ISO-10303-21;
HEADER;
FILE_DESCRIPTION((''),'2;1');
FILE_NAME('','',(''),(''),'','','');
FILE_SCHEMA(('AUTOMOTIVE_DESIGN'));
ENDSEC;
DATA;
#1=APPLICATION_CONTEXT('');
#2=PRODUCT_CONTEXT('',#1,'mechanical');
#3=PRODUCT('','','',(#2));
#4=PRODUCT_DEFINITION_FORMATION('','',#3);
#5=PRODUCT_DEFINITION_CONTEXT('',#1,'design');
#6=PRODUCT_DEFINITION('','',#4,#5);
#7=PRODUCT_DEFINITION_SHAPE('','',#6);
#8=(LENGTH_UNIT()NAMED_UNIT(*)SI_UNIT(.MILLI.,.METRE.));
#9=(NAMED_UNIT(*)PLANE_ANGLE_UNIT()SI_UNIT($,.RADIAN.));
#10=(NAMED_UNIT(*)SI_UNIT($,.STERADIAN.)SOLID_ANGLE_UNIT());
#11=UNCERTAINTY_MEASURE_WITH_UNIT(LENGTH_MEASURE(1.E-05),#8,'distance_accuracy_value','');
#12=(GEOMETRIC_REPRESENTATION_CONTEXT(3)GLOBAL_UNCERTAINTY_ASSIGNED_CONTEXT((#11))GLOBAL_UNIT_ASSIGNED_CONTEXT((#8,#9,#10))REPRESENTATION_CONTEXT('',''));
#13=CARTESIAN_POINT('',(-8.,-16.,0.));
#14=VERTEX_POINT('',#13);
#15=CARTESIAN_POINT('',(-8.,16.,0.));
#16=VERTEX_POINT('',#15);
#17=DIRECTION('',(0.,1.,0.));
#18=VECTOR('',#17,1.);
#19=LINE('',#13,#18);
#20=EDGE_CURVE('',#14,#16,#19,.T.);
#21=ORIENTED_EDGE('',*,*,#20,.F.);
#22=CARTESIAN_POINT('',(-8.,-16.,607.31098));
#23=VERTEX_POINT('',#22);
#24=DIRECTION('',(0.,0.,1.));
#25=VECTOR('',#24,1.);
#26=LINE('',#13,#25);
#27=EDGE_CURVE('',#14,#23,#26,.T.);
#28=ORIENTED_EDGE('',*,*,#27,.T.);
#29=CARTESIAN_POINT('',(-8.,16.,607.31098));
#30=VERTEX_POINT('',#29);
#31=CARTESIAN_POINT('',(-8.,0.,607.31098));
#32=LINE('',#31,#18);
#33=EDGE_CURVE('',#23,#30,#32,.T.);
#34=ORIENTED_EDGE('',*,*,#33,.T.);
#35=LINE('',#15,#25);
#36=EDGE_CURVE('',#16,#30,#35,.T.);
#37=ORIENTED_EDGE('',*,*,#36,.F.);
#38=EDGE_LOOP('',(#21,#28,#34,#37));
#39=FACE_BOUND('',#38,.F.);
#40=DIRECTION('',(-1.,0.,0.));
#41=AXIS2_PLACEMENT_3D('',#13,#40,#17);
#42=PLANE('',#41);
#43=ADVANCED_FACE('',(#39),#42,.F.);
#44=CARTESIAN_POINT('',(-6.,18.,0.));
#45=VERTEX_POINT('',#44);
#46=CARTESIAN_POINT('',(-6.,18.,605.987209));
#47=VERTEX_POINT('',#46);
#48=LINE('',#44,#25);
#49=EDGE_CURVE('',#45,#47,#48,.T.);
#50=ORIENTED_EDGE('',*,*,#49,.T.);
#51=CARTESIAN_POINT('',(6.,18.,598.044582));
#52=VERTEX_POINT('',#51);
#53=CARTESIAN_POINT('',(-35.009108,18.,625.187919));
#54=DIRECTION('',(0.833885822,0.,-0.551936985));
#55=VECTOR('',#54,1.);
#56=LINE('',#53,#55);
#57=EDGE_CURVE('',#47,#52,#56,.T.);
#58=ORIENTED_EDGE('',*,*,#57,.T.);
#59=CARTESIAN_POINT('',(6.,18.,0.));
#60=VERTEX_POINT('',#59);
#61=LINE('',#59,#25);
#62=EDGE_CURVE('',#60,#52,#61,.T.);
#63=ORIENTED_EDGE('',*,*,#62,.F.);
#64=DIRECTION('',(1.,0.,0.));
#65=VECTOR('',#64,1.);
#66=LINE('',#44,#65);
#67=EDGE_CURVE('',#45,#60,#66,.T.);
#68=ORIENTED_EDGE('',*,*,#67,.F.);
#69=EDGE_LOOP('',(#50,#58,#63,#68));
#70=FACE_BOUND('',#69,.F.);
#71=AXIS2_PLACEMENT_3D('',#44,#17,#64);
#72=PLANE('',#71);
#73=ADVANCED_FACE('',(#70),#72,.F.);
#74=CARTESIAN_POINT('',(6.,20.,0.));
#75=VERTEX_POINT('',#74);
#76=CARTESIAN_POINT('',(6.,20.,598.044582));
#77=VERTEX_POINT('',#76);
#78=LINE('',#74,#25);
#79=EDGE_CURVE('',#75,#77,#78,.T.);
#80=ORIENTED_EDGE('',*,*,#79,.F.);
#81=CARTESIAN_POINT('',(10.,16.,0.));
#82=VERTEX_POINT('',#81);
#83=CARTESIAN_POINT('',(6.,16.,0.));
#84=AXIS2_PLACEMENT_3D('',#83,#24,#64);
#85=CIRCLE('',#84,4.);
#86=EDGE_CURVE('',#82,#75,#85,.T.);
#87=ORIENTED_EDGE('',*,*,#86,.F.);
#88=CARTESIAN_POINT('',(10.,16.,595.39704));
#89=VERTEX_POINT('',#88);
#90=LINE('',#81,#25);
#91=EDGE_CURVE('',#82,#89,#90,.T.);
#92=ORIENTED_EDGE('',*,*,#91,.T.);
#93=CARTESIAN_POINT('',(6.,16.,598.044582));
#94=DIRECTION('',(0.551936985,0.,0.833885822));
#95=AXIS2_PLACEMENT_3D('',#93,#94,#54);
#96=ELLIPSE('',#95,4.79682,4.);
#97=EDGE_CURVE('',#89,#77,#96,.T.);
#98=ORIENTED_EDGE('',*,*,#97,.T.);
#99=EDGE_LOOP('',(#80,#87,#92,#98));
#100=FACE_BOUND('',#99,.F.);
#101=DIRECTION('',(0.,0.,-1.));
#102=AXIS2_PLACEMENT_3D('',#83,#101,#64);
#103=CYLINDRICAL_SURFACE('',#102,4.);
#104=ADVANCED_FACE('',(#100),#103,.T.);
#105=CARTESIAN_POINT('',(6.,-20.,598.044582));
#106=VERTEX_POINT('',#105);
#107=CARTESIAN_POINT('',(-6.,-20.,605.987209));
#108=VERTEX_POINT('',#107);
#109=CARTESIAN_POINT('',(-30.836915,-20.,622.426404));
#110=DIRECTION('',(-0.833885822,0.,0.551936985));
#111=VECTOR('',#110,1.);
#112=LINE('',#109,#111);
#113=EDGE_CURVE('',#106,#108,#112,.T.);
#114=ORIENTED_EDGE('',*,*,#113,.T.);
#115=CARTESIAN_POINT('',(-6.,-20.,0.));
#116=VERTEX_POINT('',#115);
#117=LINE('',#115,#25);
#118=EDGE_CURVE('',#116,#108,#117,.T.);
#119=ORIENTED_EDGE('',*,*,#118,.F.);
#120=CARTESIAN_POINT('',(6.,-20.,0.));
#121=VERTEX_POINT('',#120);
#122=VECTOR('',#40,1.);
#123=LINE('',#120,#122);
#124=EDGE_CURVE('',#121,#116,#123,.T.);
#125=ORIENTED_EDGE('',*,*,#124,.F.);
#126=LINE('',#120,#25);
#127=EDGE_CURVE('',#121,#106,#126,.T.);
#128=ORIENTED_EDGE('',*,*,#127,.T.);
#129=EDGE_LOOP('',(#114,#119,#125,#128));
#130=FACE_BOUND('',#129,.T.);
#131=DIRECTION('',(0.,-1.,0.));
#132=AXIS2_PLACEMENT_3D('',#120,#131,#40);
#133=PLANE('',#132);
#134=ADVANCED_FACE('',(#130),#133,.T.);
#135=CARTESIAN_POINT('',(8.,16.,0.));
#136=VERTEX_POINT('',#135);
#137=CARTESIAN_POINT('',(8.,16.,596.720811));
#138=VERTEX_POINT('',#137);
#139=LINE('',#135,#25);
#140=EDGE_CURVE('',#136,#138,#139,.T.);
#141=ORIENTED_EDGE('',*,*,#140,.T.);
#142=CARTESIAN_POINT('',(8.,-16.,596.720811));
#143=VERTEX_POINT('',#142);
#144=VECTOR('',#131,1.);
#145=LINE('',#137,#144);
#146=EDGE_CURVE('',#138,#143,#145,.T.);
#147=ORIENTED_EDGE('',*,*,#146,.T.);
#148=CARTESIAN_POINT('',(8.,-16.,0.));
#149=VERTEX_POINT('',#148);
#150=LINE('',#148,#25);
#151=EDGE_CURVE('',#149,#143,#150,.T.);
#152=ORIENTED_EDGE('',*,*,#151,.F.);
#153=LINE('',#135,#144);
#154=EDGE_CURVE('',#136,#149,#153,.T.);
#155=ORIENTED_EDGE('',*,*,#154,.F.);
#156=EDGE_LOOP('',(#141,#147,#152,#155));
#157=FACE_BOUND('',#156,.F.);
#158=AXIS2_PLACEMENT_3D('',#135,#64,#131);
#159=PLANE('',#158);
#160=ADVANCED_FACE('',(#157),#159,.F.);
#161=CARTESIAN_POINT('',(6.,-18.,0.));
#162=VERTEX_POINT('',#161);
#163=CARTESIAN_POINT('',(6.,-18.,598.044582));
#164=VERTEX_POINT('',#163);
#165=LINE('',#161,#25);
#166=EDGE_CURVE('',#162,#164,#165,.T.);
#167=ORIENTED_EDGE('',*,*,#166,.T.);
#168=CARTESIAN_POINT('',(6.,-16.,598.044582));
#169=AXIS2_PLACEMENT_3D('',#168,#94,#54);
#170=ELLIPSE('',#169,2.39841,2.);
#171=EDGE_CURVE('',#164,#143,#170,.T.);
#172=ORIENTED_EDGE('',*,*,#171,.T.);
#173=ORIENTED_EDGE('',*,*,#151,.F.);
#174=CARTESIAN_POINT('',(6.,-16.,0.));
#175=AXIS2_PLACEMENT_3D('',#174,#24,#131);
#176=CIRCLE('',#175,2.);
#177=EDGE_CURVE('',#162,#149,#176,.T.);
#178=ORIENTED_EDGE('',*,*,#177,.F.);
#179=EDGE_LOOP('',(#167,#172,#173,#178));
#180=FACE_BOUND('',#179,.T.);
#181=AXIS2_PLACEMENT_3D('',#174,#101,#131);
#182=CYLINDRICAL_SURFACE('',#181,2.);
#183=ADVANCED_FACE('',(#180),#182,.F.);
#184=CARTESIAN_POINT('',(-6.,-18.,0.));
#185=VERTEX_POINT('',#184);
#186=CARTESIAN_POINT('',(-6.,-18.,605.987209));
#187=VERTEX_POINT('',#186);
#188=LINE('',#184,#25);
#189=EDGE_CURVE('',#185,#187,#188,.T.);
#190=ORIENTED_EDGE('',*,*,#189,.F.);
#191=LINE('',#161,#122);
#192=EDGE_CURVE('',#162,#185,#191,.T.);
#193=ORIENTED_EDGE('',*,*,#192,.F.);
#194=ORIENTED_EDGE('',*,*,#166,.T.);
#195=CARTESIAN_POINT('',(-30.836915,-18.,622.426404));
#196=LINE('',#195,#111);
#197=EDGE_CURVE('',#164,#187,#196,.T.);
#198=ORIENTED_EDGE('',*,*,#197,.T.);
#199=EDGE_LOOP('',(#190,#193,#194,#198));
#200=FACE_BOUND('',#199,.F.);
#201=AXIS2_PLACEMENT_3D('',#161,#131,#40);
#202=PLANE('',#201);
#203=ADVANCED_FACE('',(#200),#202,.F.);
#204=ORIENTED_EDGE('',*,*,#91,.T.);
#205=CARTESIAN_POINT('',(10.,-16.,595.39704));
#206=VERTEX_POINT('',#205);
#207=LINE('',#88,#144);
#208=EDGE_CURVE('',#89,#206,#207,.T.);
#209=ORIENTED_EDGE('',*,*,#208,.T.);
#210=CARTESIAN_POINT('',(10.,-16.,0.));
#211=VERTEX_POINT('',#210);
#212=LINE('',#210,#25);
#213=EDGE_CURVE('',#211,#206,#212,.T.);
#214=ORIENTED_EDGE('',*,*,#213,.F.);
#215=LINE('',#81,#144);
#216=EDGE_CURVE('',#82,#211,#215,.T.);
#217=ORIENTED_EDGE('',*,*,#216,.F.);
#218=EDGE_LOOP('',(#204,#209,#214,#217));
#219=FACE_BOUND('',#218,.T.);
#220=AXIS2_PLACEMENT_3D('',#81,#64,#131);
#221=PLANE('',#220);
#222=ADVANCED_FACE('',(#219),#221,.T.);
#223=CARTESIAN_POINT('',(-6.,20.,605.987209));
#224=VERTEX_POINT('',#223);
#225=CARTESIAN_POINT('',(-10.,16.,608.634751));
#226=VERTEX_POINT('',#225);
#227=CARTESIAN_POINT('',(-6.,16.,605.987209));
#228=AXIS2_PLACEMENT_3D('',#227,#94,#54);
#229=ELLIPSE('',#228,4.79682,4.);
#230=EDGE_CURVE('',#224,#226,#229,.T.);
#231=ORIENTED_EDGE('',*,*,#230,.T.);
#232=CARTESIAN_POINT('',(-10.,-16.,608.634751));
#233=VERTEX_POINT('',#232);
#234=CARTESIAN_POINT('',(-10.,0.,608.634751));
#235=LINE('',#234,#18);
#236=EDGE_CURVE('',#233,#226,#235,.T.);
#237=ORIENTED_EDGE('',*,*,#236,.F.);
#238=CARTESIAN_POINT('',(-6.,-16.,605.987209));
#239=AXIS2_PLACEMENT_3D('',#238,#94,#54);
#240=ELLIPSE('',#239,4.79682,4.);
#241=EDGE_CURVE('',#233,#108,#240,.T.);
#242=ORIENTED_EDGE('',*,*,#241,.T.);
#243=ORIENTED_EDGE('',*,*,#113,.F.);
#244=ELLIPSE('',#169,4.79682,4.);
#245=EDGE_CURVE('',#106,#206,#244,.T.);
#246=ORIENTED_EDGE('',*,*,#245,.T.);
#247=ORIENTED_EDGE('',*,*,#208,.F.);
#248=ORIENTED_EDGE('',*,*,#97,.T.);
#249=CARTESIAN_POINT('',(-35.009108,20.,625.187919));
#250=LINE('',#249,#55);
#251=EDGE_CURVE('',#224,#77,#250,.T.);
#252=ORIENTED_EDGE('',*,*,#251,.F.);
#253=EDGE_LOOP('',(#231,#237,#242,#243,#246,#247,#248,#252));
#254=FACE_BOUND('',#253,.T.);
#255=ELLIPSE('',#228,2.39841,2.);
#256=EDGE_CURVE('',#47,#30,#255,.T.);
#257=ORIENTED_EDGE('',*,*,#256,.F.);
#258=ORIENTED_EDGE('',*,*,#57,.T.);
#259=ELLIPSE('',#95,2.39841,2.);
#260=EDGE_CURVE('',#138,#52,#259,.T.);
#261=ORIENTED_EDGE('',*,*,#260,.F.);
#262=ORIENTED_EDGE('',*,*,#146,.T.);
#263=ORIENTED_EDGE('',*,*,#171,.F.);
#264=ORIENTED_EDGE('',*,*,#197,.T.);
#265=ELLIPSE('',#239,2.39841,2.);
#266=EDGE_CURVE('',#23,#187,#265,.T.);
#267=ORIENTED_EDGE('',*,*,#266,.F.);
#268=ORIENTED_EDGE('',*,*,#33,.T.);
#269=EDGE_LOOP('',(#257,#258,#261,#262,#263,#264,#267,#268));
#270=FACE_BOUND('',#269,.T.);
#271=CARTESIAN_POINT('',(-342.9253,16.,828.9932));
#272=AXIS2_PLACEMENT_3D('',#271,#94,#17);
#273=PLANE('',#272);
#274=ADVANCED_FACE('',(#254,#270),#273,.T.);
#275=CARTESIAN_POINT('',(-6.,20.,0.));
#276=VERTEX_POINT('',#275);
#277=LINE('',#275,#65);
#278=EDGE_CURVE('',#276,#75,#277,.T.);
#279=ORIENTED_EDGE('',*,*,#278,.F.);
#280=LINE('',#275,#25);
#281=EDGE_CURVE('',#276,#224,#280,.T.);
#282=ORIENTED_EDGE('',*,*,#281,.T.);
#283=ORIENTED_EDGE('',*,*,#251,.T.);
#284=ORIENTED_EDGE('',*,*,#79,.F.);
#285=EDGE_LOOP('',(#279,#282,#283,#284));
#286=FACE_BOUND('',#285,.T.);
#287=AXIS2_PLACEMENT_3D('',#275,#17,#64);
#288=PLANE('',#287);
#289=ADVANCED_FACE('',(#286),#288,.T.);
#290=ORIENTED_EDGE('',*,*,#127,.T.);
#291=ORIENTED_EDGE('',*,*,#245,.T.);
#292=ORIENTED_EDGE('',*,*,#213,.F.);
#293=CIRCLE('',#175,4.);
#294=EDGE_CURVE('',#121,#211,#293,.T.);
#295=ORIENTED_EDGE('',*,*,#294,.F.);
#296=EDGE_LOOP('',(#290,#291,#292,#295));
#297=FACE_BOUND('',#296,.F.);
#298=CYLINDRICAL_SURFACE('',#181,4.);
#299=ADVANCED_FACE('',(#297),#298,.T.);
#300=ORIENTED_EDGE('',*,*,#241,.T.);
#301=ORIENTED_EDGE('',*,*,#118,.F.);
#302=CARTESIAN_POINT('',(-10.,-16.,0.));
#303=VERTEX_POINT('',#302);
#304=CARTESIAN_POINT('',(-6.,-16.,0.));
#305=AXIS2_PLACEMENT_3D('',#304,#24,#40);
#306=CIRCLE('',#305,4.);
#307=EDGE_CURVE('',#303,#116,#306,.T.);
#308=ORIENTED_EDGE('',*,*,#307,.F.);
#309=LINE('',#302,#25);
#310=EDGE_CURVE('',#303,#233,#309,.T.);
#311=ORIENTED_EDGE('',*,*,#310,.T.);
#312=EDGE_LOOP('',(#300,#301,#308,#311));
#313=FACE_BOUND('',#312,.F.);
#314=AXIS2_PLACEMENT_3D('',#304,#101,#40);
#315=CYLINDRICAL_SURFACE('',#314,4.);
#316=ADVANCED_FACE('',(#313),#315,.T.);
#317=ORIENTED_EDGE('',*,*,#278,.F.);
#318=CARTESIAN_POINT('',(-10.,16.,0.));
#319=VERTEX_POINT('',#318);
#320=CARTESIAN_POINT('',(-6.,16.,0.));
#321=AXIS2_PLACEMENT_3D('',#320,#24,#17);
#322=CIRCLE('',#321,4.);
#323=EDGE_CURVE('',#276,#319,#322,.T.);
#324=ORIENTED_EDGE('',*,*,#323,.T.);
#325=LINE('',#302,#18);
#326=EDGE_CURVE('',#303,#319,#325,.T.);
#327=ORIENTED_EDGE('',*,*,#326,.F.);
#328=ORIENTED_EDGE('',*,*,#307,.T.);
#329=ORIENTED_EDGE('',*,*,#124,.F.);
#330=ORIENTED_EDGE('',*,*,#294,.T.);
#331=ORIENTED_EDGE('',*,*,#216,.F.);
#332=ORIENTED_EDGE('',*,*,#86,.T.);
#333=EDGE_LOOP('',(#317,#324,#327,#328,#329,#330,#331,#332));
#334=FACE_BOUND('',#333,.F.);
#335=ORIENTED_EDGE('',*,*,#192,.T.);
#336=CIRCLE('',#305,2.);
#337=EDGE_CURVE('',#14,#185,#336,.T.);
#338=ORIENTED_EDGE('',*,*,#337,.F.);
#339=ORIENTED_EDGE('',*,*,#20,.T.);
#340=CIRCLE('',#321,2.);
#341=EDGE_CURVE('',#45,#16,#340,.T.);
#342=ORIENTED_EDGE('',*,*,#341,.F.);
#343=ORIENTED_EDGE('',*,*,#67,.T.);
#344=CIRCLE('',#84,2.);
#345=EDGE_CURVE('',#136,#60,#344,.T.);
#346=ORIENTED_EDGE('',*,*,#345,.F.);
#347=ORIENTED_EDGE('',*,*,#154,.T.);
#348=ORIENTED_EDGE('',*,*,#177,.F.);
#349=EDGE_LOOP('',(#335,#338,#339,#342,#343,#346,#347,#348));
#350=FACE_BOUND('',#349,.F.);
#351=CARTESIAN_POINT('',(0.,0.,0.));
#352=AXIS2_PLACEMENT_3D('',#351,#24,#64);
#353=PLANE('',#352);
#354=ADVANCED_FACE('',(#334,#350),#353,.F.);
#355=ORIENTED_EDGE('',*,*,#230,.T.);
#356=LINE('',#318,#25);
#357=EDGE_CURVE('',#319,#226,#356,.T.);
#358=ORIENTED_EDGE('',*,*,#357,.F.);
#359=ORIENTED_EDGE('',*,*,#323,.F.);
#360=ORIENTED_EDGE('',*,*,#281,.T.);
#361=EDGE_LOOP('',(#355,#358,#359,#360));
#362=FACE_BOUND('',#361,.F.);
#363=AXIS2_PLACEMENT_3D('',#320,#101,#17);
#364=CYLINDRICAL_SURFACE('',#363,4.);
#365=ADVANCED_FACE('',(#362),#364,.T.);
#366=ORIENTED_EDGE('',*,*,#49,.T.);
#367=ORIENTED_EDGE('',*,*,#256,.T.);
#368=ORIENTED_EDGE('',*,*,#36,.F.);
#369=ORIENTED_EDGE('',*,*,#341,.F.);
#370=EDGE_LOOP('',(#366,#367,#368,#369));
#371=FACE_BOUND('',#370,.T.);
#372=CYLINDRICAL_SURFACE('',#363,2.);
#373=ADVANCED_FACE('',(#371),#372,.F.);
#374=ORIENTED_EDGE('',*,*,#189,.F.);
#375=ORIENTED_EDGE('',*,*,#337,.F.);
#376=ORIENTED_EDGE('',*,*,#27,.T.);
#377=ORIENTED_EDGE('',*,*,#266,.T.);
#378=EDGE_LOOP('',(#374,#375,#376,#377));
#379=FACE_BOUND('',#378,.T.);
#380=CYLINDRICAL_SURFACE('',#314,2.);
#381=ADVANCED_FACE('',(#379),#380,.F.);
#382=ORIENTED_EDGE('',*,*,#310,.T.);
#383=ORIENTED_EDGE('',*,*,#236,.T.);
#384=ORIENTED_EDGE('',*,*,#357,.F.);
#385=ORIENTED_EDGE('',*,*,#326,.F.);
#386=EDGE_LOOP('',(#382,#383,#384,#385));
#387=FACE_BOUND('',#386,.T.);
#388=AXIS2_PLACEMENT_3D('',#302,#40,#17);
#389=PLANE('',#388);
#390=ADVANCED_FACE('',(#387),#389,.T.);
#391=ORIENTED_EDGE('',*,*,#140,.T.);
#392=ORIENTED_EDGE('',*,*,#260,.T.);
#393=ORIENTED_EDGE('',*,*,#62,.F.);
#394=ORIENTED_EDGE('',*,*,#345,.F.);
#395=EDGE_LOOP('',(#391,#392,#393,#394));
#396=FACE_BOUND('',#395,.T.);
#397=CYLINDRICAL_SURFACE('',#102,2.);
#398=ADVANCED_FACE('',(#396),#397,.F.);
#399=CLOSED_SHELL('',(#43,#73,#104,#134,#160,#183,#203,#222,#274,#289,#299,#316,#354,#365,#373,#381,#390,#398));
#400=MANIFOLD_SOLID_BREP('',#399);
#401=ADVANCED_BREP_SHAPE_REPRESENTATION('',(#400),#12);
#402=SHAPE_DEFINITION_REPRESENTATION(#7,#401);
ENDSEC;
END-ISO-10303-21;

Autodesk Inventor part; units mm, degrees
ref_plane "Start Plane" through (0, 0, 0) normal (0, 0, 1) x (1, 0, 0)
ref_plane "End Plane" through (0, 0, 608.6348) normal (0, 0, 1) x (1, 0, 0)
sketch "Sketch" plane through (0, 0, 0) normal (0, 0, 1) x (1, 0, 0)
  line L0 (-10, -16) -> (-10, 16)
  line L1 (-6, 20) -> (6, 20)
  line L2 (10, 16) -> (10, -16)
  line L3 (6, -20) -> (-6, -20)
  arc A0 (-10, -16) -> (-6, -20) centre (-6, -16) ccw
  arc A1 (10, 16) -> (6, 20) centre (6, 16) ccw
  arc A2 (-6, 20) -> (-10, 16) centre (-6, 16) ccw
  arc A3 (6, -20) -> (10, -16) centre (6, -16) ccw
  arc A4 (-6, 18) -> (-8, 16) centre (-6, 16) ccw
  line L4 (-6, 18) -> (6, 18)
  arc A5 (8, 16) -> (6, 18) centre (6, 16) ccw
  line L5 (8, 16) -> (8, -16)
  arc A6 (6, -18) -> (8, -16) centre (6, -16) ccw
  line L6 (6, -18) -> (-6, -18)
  arc A7 (-8, -16) -> (-6, -18) centre (-6, -16) ccw
  line L7 (-8, -16) -> (-8, 16)
  line L8 (0, 29.1598) -> (0, -29.1598) construction
  line L9 (-15.1598, 0) -> (15.1598, 0) construction
  dimension "d7" = 4
  dimension "d9" = 20
  dimension "d11" = 40
  dimension "d12" = 2
  dimension "d15" = 10
  dimension "d16" = 20
extrude "Body" add sketch "Sketch" along normal up to surface (608.6348 mm away) from surface at 0
sketch "Sketch3" plane through (0, 0, 0) normal (0, 0, 1) x (1, 0, 0)
  line L0 (0, 0) -> (10, 0)
ref_plane "Work Plane3" through (0, 0, 0) normal (0, -1, 0) x (1, 0, 0)
ref_plane "Work Plane4" through (-342.9253, 16, 828.9932) normal (0.5519, 0, 0.8339) x (0.8339, 0, -0.5519)
split "Split1" plane through (-342.9253, 16, 828.9932) removes the side toward (0.5519, 0, 0.8339)
sketch "Sketch4" plane through (0, 0, 0) normal (0, -1, 0) x (1, 0, 0)
  line L0 (-2, 0) -> (12, 0) projected
  line L1 (-2, 608.6348) -> (12, 608.6348) projected
  dimension "d18" = 608.6348
equation "\"d7\" = G_IR"
equation "\"d9\" = G_W"
equation "\"d11\" = G_H"
equation "\"d12\" = G_T"
equation "\"d15\" = 0.5 * d9"
equation "\"d16\" = 0.5 * d11"
equation "\"d3\" = G_L"
equation "\"G_W\" = 20"
equation "\"G_H\" = 40"
equation "\"G_T\" = 2"
equation "\"G_IR\" = 4"
equation "\"G_L\" = d18"
equation "\"G_OFFSET_START\" = 0"
equation "\"G_OFFSET_END\" = -17.36524"
equation "\"d14\" = G_OFFSET_END + B_L"
equation "\"B_L\" = 626"
properties part number "ISO 4019 - 40x20x2 - 608,63" material "Steel, Mild"
